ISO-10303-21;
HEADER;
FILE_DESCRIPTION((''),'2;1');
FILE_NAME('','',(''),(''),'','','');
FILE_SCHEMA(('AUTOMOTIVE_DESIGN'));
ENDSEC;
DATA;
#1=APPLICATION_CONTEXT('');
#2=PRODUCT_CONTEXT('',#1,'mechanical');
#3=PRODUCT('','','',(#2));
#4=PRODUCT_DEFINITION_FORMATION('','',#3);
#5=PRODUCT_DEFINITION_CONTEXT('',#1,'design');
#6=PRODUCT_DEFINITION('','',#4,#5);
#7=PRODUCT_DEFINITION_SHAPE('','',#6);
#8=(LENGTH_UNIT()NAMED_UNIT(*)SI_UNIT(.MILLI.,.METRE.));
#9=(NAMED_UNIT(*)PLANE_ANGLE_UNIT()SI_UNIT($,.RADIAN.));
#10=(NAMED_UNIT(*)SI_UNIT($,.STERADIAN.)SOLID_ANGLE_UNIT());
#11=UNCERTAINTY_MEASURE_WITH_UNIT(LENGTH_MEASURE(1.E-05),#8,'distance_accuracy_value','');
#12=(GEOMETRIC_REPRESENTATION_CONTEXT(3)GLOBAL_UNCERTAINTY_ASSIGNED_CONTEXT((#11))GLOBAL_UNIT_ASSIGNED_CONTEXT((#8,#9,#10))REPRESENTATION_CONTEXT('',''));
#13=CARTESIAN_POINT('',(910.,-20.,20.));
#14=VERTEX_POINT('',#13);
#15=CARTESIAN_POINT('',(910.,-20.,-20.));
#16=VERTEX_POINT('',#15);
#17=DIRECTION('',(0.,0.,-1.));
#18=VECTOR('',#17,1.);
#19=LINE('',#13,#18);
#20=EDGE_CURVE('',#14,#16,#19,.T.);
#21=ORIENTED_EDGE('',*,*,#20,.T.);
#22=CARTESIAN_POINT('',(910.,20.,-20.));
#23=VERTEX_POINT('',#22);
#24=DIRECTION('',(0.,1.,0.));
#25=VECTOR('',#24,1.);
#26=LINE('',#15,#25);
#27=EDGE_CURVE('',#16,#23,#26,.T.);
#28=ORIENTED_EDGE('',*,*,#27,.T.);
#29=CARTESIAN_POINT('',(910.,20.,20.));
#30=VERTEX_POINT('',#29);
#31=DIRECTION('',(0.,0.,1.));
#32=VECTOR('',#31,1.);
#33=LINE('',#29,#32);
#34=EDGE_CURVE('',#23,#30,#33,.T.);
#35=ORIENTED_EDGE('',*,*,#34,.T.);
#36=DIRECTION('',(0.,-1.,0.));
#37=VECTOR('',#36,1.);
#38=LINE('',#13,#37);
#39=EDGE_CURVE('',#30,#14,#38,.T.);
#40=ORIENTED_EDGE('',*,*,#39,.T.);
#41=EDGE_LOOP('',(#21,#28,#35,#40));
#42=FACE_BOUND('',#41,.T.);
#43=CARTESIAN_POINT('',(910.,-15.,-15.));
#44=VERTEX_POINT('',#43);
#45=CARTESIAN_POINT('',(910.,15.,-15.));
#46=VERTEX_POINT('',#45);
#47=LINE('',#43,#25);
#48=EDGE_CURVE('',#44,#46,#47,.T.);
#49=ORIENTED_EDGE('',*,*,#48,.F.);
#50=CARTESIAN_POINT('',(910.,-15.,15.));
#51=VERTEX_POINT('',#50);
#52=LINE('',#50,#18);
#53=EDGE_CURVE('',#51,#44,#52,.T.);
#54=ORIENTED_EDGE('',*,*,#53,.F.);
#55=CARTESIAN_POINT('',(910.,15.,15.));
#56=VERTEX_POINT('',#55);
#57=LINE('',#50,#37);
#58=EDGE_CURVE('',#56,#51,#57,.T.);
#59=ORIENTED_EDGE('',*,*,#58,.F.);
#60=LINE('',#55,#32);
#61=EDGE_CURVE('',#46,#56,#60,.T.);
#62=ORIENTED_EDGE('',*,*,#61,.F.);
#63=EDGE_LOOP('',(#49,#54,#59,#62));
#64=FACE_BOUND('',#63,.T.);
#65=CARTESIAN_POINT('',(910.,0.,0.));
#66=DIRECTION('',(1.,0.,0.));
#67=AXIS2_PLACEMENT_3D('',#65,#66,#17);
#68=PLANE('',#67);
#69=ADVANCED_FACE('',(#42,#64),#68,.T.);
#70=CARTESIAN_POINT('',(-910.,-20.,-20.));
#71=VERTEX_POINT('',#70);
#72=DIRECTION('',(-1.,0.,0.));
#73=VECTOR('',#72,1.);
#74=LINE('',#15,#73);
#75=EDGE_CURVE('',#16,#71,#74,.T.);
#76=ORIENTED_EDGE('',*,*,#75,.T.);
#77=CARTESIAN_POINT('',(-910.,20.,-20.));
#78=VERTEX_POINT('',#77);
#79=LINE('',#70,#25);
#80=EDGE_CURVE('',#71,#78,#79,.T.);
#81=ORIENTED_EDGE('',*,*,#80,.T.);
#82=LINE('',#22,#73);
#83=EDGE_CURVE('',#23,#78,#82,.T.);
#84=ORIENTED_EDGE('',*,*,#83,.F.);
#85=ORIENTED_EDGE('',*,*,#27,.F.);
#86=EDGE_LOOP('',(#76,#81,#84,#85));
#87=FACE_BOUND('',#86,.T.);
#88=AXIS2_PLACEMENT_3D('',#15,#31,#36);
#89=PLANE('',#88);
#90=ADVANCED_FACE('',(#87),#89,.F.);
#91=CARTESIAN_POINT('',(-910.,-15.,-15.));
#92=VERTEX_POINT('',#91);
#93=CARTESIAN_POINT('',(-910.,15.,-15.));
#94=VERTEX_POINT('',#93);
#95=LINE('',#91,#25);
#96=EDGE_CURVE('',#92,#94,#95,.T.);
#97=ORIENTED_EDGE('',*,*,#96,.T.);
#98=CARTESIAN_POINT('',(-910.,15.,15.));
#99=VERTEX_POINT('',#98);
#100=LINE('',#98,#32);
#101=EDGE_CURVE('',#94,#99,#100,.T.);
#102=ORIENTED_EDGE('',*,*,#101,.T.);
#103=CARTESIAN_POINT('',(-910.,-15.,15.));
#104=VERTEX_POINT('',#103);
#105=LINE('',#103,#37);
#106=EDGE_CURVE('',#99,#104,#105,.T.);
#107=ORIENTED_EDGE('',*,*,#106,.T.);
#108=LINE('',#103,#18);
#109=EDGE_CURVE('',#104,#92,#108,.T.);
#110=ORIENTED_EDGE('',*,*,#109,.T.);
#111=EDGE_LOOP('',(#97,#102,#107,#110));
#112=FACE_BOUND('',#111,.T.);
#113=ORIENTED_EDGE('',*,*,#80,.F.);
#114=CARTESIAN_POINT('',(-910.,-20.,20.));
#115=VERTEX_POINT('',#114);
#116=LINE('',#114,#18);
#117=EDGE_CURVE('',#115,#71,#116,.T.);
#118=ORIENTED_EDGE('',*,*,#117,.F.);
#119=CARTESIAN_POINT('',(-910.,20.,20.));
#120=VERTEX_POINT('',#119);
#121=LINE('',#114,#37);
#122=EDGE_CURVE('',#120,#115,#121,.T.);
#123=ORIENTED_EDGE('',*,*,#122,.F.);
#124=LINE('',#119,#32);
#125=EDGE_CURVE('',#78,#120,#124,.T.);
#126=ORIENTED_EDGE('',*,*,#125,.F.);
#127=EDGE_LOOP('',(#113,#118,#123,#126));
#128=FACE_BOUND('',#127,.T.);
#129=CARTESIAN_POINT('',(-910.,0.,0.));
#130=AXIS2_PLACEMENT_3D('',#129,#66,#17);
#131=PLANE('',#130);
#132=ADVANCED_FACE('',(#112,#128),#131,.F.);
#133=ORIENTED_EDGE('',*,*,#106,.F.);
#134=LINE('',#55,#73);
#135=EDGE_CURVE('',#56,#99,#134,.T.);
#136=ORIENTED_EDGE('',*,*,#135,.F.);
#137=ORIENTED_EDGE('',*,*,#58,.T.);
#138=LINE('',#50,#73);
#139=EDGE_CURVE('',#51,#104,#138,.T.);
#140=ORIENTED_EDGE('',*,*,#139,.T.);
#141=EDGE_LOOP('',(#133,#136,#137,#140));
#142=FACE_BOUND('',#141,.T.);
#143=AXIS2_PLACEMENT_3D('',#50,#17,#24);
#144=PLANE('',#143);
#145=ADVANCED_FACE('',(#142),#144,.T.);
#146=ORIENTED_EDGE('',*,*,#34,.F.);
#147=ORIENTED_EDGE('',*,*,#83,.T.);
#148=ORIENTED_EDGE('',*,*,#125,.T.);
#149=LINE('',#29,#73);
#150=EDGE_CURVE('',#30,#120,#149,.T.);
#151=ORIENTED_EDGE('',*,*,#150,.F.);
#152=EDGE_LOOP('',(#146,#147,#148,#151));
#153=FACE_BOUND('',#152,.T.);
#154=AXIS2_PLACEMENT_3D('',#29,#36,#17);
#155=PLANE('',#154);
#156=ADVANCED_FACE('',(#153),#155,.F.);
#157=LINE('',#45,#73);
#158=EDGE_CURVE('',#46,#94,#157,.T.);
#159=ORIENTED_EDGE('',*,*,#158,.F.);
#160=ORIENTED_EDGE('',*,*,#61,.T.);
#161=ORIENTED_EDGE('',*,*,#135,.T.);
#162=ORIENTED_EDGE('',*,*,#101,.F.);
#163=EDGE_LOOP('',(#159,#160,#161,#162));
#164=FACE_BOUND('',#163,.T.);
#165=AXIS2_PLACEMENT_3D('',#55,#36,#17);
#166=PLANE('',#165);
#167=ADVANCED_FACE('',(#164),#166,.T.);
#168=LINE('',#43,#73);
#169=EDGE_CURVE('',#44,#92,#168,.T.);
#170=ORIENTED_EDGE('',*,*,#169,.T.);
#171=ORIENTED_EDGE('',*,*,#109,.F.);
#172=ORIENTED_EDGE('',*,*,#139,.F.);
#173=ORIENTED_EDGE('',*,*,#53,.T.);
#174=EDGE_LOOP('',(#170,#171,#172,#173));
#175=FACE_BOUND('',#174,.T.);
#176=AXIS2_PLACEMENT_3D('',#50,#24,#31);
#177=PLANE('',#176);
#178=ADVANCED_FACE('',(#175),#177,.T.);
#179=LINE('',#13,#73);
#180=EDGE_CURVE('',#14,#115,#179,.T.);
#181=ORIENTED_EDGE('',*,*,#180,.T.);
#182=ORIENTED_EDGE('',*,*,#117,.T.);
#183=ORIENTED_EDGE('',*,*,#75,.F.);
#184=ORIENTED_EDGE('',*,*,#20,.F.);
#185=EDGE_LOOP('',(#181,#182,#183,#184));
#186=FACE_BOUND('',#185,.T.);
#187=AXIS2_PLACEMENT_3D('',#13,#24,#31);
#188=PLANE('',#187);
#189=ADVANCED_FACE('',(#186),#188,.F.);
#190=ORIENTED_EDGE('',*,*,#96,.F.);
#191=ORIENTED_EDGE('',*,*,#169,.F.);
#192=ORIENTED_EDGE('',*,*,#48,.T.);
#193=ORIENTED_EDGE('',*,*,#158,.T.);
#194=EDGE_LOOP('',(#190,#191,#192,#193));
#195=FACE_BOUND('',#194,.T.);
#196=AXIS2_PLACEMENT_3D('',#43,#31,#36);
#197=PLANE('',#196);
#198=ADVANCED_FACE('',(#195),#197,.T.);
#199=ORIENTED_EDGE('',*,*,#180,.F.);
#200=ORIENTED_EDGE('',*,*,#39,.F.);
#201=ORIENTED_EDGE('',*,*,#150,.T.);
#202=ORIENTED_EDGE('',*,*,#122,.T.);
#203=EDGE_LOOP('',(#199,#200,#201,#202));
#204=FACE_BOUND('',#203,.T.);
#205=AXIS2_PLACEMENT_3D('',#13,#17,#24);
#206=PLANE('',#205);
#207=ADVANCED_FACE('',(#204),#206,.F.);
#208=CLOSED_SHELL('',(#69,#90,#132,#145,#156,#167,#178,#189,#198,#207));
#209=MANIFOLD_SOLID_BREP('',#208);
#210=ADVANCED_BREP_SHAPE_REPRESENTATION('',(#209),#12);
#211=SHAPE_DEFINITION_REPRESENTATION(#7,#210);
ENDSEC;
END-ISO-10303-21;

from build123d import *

# Parameters (mm, degrees)
SCHIZZO1_W                   = 40
SCHIZZO1_H                   = 40
SCHIZZO1_W_2                 = 30
SCHIZZO1_H_2                 = 30
ESTRUSIONE_ESTRUSIONE1_DEPTH = 910


with BuildPart() as part:
    # Schizzo1 → Estrusione-Estrusione1 (new body, symmetric)
    with BuildSketch(Plane(origin=(0, 0, 0), x_dir=(0, -1, 0), z_dir=(1, 0, 0))):
        Rectangle(SCHIZZO1_W, SCHIZZO1_H)
        Rectangle(SCHIZZO1_W_2, SCHIZZO1_H_2, mode=Mode.SUBTRACT)
    extrude(amount=ESTRUSIONE_ESTRUSIONE1_DEPTH, both=True)


solid = part.part
